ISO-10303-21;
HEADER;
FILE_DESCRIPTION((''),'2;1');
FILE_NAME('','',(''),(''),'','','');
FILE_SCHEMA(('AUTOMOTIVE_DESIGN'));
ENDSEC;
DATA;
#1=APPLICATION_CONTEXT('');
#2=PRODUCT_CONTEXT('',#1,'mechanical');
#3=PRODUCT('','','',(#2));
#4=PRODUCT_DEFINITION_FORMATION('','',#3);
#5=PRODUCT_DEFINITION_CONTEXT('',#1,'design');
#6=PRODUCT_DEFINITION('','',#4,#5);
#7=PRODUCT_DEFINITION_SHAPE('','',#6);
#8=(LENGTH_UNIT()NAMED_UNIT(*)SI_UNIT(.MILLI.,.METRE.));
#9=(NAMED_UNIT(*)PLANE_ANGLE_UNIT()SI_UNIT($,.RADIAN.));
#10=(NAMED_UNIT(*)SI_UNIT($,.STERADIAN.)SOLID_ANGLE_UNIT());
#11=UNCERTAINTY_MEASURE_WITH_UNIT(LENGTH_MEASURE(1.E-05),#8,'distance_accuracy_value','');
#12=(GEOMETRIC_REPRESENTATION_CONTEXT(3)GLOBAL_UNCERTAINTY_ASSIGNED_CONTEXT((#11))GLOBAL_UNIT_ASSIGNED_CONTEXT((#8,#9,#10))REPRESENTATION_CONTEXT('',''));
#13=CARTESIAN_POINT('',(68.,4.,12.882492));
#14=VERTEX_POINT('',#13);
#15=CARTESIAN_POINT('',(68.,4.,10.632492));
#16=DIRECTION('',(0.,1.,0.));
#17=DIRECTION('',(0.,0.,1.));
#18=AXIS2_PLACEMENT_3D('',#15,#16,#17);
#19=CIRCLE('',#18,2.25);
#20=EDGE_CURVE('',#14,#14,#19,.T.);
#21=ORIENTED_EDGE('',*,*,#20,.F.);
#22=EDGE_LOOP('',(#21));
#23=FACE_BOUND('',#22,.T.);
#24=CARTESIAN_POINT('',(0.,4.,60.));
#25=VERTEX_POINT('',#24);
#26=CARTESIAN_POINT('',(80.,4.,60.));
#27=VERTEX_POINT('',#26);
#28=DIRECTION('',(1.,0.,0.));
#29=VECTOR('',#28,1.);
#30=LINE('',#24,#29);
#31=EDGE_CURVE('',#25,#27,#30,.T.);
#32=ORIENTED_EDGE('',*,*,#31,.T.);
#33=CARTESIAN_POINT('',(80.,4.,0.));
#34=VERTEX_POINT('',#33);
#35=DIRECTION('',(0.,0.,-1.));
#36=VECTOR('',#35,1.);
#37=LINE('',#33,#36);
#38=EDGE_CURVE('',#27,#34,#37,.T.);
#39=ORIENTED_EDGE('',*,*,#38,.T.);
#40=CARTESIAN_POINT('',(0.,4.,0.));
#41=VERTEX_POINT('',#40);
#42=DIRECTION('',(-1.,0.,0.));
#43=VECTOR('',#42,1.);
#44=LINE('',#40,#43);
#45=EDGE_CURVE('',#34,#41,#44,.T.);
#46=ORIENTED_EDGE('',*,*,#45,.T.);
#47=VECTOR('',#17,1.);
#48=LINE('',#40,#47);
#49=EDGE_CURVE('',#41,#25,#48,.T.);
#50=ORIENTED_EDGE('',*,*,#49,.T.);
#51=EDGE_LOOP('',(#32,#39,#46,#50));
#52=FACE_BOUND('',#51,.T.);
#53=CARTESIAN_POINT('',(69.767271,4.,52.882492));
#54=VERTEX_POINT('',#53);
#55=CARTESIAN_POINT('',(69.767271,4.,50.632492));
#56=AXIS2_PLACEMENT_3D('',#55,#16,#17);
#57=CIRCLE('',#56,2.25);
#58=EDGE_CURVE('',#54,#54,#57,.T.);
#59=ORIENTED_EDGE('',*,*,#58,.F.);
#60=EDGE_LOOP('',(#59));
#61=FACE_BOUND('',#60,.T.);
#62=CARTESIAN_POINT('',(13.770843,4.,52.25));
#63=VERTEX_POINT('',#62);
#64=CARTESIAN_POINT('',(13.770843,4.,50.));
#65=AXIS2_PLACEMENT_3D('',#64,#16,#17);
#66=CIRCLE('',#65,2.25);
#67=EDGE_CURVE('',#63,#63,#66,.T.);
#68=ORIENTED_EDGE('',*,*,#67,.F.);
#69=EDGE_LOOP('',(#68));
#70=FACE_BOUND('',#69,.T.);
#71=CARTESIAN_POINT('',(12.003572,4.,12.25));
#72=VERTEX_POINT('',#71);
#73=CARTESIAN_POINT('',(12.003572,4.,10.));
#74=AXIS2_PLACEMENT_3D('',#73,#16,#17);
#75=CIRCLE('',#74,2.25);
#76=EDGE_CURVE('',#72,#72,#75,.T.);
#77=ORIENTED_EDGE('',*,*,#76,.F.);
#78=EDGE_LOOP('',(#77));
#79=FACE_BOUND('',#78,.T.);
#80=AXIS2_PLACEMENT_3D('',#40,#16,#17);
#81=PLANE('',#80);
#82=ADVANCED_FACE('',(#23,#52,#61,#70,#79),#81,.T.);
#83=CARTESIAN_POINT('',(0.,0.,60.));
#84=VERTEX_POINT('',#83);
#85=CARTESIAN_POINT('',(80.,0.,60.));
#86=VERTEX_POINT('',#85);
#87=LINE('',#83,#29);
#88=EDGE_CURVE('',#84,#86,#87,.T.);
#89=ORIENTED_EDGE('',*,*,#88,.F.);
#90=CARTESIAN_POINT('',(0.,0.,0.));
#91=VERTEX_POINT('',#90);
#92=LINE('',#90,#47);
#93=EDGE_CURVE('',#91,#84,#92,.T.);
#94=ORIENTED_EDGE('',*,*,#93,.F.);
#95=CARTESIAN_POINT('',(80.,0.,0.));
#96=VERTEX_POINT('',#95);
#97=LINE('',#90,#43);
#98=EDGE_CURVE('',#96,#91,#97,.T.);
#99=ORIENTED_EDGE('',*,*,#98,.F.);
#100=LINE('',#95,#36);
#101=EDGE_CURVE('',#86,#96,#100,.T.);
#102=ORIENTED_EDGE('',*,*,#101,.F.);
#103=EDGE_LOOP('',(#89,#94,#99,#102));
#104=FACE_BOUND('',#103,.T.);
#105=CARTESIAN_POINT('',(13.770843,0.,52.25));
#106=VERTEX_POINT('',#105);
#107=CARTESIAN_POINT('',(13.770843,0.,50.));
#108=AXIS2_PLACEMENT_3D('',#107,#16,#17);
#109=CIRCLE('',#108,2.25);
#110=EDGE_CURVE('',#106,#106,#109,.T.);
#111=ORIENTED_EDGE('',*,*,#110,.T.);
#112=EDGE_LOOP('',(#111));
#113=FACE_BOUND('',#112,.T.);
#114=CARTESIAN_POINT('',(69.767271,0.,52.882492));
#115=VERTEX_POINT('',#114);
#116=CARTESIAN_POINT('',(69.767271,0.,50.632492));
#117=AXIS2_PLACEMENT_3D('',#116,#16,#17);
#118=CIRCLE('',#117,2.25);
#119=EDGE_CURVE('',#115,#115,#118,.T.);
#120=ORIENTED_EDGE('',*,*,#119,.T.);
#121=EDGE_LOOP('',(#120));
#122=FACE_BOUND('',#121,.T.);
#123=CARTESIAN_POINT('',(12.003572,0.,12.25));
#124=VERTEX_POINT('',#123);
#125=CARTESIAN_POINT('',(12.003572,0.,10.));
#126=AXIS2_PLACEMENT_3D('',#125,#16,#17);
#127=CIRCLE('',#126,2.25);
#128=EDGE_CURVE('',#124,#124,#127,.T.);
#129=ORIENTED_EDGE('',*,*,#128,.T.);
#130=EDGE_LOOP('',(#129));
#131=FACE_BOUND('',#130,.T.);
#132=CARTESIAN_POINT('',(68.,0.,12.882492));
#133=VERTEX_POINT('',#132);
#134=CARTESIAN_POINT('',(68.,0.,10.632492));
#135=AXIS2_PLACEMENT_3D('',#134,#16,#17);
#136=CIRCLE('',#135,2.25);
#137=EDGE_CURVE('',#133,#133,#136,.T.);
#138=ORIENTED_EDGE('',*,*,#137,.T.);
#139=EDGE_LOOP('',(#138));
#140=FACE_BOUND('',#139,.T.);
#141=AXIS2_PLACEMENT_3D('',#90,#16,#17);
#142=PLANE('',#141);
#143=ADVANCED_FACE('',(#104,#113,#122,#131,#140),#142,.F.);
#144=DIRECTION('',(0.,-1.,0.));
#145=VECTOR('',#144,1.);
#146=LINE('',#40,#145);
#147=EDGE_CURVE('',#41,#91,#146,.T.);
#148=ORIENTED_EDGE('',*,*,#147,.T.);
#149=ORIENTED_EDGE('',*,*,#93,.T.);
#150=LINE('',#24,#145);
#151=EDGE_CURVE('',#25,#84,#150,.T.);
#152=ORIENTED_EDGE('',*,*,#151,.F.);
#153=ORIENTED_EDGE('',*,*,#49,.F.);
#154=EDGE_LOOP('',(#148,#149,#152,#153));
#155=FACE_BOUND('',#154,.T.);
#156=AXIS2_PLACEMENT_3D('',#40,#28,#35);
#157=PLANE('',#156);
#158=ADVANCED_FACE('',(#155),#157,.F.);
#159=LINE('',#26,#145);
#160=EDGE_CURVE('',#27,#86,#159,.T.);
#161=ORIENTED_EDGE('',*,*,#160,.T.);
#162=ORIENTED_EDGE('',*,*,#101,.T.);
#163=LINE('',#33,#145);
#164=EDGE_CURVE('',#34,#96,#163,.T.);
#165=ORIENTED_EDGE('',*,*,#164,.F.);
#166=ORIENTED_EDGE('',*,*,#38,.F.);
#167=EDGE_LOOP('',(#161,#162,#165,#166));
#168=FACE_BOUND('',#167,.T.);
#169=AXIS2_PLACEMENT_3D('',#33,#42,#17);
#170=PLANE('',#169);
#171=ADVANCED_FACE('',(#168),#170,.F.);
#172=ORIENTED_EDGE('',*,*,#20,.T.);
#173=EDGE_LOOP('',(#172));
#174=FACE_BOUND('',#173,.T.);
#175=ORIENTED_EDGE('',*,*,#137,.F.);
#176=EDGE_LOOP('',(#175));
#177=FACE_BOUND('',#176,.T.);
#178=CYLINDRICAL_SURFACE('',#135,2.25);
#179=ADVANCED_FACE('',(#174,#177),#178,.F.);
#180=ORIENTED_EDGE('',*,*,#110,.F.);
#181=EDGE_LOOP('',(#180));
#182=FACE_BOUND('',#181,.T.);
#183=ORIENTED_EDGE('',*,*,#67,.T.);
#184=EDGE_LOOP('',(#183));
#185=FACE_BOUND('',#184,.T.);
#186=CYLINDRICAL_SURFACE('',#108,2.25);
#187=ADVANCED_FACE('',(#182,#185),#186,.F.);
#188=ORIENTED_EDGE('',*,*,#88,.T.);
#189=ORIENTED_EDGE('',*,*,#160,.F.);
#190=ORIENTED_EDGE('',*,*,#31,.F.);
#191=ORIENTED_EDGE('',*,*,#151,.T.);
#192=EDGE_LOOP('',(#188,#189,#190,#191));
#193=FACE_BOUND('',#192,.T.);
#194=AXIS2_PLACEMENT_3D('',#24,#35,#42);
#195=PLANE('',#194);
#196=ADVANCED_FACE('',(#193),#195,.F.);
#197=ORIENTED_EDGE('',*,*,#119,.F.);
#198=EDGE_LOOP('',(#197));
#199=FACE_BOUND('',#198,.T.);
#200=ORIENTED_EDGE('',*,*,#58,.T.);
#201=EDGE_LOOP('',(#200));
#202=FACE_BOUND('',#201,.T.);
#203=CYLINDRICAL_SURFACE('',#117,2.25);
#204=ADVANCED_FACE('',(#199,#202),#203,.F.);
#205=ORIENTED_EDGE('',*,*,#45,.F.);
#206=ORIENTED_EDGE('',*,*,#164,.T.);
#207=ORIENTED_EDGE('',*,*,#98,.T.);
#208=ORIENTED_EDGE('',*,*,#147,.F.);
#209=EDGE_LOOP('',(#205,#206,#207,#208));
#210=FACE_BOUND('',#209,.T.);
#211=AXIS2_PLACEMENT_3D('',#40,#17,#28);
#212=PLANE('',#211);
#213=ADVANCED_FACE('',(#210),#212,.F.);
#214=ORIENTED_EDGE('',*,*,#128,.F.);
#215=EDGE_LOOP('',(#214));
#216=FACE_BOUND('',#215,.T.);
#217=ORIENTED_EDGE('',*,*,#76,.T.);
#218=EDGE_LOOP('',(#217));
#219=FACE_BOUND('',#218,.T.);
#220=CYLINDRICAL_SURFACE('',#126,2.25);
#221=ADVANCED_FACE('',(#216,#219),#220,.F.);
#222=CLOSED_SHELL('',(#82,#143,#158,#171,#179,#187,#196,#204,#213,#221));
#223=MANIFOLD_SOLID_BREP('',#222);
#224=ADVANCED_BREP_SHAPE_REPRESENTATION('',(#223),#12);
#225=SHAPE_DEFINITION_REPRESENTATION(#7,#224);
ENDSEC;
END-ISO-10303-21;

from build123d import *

# Parameters (mm, degrees)
SKETCH1_W           = 80
SKETCH1_H           = 60
BOSS_EXTRUDE1_DEPTH = 4
SKETCH2_R           = 2.25
CUT_EXTRUDE1_DEPTH  = 101.079968026


with BuildPart() as part:
    # Sketch1 → Boss-Extrude1 (new body)
    with BuildSketch(Plane(origin=(0, 0, 0), x_dir=(1, 0, 0), z_dir=(0, 1, 0))):
        with Locations((40, -30)):
            Rectangle(SKETCH1_W, SKETCH1_H)
    extrude(amount=BOSS_EXTRUDE1_DEPTH)

    # Sketch2 → Cut-Extrude1 (cut, through all)
    with BuildSketch(Plane(origin=(0, 4, 0), x_dir=(1, 0, 0), z_dir=(0, 1, 0))):
        with Locations(Location((12.003571958, -10, 0), (0, 0, 270))):
            Circle(SKETCH2_R)
        with Locations(Location((68, -10.632492363, 0), (0, 0, 270))):
            Circle(SKETCH2_R)
        with Locations(Location((69.767270972, -50.632492363, 0), (0, 0, 270))):
            Circle(SKETCH2_R)
        with Locations(Location((13.770842931, -50, 0), (0, 0, 270))):
            Circle(SKETCH2_R)
    extrude(amount=-CUT_EXTRUDE1_DEPTH, mode=Mode.SUBTRACT)


solid = part.part
